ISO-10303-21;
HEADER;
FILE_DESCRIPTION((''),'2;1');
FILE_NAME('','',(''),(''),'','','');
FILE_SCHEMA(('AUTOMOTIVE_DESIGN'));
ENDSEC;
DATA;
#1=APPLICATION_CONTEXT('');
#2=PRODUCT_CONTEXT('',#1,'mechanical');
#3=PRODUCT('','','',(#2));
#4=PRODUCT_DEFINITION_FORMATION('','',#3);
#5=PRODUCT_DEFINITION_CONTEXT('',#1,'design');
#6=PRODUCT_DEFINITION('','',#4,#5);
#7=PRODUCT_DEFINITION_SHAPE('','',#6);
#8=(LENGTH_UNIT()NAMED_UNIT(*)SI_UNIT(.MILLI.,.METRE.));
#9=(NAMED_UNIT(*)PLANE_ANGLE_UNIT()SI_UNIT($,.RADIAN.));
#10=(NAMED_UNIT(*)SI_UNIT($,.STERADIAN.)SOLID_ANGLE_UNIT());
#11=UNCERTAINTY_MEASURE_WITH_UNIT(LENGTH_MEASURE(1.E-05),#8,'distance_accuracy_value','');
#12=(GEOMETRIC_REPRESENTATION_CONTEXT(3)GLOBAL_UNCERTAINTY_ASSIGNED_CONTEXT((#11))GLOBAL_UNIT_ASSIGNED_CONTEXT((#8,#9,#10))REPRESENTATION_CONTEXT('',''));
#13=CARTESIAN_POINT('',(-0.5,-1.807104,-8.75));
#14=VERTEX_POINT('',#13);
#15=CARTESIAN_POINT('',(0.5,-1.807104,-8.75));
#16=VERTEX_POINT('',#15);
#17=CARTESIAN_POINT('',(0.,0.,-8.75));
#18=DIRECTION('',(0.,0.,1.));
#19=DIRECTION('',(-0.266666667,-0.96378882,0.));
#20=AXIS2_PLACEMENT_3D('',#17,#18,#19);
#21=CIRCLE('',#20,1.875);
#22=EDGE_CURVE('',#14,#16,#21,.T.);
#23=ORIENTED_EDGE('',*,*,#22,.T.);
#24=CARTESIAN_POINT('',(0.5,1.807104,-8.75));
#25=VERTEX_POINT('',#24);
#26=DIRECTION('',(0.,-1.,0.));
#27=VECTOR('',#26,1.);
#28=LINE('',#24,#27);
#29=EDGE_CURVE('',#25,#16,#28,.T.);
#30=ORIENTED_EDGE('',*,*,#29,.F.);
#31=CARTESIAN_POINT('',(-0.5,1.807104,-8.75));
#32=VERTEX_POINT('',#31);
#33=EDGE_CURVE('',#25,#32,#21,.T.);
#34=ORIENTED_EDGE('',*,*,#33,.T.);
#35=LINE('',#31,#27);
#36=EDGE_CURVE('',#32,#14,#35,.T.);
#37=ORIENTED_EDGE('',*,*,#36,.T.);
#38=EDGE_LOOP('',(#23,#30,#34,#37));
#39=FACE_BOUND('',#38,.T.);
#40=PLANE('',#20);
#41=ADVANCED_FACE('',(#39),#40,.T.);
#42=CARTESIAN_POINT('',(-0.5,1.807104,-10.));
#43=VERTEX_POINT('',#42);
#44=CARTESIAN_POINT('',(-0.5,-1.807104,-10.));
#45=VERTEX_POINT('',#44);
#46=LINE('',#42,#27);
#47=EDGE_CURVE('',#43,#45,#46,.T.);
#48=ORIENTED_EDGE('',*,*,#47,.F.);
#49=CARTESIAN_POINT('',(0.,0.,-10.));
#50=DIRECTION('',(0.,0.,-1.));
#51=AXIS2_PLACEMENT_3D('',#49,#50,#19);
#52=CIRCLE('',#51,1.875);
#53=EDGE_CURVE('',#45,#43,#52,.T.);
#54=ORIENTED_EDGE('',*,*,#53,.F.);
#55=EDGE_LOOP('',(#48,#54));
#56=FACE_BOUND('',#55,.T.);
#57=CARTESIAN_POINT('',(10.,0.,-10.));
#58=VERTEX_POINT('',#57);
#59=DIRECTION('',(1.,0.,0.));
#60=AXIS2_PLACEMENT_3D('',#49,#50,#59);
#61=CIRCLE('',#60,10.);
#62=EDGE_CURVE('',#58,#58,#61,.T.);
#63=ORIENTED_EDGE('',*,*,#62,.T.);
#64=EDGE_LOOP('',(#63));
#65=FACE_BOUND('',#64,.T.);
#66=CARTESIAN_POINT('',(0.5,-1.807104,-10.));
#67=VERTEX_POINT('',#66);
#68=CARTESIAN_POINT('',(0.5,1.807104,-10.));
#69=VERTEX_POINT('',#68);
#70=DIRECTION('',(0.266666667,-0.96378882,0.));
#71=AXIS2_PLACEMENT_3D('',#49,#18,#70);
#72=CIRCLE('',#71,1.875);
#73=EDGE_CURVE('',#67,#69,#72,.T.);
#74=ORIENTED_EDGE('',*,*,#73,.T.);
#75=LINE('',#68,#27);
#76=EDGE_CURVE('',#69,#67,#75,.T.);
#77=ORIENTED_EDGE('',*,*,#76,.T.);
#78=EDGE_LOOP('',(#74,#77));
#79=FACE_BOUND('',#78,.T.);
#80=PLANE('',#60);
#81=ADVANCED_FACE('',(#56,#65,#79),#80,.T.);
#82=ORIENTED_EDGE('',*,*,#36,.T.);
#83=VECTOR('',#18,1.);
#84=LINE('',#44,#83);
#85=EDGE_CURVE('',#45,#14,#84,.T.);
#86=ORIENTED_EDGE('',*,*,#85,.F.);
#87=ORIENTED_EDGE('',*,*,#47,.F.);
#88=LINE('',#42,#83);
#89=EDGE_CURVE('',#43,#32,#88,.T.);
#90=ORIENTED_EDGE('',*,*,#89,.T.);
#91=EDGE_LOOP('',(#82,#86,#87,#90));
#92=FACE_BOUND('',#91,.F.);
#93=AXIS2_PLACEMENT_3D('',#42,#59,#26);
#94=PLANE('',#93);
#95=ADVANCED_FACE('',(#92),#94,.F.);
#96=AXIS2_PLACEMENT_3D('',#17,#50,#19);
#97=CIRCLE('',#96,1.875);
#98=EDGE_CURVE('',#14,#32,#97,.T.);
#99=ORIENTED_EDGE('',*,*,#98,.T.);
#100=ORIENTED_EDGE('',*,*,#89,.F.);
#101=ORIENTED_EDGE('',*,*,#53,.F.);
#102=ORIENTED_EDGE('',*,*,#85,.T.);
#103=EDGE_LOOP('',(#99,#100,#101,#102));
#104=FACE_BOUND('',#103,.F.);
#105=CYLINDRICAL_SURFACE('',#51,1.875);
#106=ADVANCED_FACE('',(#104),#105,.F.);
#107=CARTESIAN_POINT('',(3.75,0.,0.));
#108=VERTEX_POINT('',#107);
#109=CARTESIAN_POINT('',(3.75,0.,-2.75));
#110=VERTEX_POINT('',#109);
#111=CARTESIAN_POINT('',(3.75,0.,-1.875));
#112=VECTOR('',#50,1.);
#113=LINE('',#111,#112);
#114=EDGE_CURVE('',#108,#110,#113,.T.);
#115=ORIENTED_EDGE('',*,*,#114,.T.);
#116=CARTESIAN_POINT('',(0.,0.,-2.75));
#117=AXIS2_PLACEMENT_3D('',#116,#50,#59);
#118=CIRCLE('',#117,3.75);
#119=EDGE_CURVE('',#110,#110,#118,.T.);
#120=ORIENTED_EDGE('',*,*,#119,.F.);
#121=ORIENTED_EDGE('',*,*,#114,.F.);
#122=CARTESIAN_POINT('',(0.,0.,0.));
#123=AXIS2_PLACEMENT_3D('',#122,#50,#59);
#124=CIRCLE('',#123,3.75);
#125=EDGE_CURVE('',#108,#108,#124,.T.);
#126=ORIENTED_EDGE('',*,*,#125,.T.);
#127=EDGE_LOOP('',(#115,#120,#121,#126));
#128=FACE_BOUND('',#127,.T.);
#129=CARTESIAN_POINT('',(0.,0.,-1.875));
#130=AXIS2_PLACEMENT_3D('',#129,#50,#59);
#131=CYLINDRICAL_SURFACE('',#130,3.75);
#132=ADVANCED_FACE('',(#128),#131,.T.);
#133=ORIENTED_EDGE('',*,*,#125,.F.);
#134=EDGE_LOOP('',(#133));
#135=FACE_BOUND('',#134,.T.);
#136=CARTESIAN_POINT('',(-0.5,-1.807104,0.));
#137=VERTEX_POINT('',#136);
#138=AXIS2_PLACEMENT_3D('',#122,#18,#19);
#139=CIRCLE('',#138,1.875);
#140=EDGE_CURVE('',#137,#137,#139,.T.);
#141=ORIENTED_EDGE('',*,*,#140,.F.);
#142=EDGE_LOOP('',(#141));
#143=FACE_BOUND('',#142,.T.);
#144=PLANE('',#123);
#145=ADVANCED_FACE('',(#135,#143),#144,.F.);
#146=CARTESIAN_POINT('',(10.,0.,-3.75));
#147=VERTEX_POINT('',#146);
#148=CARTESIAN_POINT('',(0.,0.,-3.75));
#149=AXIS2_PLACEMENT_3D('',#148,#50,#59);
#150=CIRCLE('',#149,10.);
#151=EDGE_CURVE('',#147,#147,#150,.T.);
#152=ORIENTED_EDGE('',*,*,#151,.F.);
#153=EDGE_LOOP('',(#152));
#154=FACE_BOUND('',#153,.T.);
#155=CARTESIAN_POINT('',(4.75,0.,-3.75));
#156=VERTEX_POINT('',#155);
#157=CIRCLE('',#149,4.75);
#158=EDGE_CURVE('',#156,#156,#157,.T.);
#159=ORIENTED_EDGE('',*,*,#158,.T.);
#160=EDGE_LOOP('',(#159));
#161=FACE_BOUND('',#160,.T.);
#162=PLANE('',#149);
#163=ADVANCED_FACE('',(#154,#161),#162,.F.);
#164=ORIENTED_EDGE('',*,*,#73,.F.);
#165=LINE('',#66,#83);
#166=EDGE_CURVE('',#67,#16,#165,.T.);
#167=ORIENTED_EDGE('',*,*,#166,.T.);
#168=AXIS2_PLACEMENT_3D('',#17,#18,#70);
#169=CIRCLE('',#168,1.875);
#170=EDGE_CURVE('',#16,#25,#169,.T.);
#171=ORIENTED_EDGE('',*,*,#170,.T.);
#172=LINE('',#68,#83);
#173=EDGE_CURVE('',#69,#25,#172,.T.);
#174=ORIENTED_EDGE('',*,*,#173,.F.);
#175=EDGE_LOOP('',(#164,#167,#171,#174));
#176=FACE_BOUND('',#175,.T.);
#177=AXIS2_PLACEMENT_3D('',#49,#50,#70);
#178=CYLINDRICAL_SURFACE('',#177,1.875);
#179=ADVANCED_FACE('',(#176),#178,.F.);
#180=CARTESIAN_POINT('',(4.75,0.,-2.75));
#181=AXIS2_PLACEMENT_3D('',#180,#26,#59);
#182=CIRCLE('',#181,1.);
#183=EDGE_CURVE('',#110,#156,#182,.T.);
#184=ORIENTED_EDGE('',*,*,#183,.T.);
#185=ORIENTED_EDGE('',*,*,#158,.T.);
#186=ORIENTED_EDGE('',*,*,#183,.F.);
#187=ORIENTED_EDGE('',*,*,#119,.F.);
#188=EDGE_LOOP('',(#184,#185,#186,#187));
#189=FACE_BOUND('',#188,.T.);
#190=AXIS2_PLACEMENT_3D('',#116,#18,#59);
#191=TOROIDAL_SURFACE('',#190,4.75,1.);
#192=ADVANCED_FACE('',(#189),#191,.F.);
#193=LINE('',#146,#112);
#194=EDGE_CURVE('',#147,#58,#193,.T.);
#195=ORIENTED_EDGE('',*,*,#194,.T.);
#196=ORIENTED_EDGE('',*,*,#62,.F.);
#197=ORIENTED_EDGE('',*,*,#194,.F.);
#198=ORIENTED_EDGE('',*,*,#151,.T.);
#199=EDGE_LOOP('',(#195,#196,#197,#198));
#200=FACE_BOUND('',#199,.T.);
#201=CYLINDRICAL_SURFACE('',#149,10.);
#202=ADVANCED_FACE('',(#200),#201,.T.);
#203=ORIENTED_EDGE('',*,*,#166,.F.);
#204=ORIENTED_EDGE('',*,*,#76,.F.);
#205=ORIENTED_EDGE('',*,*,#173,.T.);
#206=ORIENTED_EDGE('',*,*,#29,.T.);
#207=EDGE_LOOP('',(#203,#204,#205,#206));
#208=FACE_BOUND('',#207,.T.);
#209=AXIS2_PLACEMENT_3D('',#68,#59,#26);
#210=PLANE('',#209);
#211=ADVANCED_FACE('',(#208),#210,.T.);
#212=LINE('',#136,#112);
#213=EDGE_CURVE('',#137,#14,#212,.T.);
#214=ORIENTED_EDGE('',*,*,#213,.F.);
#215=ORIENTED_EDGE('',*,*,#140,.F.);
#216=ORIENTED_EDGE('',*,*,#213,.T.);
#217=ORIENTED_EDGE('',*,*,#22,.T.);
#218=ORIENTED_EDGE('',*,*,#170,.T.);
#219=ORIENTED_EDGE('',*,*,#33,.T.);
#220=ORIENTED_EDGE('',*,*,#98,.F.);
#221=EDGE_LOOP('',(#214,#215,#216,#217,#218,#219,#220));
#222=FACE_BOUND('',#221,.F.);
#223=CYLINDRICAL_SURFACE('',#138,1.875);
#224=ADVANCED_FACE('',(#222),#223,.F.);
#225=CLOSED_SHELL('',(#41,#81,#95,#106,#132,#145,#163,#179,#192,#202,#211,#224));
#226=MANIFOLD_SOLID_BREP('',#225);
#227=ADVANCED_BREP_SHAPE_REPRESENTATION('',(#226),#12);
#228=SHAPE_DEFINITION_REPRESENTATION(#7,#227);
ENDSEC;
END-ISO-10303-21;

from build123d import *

# Parameters (mm, degrees)
SKETCH1_W          = 3.75
SKETCH1_H          = 3.75
CUT_EXTRUDE1_DEPTH = 1.25
FILLET1_R          = 1
SKETCH3_R          = 1.875
CUT_EXTRUDE2_DEPTH = 8.75


with BuildPart() as part:
    # Sketch1 → Revolve1 (revolve)
    with BuildSketch(Plane(origin=(0, 0, 0), x_dir=(1, 0, 0), z_dir=(0, 1, 0))):
        with Locations((1.875, 1.875)):
            Rectangle(SKETCH1_W, SKETCH1_H)
        Polygon((0, 10), (0, 3.75), (3.75, 3.75), (10, 3.75), (10, 10), align=None)
    revolve(axis=Axis((0, 0, -3.75), (0, 0, -1)))

    # Sketch2 → Cut-Extrude1 (cut)
    with BuildSketch(Plane(origin=(0, 0, -10), x_dir=(-1, 0, 0), z_dir=(0, 0, -1))):
        with BuildLine():
            Line((0.5, 1.807104037), (0.5, -1.807104037))
            ThreePointArc((0.5, -1.807104037), (1.875, 0), (0.5, 1.807104037))
        make_face()
        with BuildLine():
            Line((-0.5, 1.807104037), (-0.5, -1.807104037))
            ThreePointArc((-0.5, -1.807104037), (-1.875, 0), (-0.5, 1.807104037))
        make_face()
    extrude(amount=-CUT_EXTRUDE1_DEPTH, mode=Mode.SUBTRACT)

    # Fillet1
    fillet1_edges = [part.edges().sort_by_distance(p)[0] for p in [
        (-3.75, 0, -3.75),
    ]]
    fillet(fillet1_edges, radius=FILLET1_R)

    # Sketch3 → Cut-Extrude2 (cut)
    with BuildSketch(Plane.XY):
        with Locations(Location((0, 0, 0), (0, 0, 254.533990047))):
            Circle(SKETCH3_R)
    extrude(amount=-CUT_EXTRUDE2_DEPTH, mode=Mode.SUBTRACT)


solid = part.part
